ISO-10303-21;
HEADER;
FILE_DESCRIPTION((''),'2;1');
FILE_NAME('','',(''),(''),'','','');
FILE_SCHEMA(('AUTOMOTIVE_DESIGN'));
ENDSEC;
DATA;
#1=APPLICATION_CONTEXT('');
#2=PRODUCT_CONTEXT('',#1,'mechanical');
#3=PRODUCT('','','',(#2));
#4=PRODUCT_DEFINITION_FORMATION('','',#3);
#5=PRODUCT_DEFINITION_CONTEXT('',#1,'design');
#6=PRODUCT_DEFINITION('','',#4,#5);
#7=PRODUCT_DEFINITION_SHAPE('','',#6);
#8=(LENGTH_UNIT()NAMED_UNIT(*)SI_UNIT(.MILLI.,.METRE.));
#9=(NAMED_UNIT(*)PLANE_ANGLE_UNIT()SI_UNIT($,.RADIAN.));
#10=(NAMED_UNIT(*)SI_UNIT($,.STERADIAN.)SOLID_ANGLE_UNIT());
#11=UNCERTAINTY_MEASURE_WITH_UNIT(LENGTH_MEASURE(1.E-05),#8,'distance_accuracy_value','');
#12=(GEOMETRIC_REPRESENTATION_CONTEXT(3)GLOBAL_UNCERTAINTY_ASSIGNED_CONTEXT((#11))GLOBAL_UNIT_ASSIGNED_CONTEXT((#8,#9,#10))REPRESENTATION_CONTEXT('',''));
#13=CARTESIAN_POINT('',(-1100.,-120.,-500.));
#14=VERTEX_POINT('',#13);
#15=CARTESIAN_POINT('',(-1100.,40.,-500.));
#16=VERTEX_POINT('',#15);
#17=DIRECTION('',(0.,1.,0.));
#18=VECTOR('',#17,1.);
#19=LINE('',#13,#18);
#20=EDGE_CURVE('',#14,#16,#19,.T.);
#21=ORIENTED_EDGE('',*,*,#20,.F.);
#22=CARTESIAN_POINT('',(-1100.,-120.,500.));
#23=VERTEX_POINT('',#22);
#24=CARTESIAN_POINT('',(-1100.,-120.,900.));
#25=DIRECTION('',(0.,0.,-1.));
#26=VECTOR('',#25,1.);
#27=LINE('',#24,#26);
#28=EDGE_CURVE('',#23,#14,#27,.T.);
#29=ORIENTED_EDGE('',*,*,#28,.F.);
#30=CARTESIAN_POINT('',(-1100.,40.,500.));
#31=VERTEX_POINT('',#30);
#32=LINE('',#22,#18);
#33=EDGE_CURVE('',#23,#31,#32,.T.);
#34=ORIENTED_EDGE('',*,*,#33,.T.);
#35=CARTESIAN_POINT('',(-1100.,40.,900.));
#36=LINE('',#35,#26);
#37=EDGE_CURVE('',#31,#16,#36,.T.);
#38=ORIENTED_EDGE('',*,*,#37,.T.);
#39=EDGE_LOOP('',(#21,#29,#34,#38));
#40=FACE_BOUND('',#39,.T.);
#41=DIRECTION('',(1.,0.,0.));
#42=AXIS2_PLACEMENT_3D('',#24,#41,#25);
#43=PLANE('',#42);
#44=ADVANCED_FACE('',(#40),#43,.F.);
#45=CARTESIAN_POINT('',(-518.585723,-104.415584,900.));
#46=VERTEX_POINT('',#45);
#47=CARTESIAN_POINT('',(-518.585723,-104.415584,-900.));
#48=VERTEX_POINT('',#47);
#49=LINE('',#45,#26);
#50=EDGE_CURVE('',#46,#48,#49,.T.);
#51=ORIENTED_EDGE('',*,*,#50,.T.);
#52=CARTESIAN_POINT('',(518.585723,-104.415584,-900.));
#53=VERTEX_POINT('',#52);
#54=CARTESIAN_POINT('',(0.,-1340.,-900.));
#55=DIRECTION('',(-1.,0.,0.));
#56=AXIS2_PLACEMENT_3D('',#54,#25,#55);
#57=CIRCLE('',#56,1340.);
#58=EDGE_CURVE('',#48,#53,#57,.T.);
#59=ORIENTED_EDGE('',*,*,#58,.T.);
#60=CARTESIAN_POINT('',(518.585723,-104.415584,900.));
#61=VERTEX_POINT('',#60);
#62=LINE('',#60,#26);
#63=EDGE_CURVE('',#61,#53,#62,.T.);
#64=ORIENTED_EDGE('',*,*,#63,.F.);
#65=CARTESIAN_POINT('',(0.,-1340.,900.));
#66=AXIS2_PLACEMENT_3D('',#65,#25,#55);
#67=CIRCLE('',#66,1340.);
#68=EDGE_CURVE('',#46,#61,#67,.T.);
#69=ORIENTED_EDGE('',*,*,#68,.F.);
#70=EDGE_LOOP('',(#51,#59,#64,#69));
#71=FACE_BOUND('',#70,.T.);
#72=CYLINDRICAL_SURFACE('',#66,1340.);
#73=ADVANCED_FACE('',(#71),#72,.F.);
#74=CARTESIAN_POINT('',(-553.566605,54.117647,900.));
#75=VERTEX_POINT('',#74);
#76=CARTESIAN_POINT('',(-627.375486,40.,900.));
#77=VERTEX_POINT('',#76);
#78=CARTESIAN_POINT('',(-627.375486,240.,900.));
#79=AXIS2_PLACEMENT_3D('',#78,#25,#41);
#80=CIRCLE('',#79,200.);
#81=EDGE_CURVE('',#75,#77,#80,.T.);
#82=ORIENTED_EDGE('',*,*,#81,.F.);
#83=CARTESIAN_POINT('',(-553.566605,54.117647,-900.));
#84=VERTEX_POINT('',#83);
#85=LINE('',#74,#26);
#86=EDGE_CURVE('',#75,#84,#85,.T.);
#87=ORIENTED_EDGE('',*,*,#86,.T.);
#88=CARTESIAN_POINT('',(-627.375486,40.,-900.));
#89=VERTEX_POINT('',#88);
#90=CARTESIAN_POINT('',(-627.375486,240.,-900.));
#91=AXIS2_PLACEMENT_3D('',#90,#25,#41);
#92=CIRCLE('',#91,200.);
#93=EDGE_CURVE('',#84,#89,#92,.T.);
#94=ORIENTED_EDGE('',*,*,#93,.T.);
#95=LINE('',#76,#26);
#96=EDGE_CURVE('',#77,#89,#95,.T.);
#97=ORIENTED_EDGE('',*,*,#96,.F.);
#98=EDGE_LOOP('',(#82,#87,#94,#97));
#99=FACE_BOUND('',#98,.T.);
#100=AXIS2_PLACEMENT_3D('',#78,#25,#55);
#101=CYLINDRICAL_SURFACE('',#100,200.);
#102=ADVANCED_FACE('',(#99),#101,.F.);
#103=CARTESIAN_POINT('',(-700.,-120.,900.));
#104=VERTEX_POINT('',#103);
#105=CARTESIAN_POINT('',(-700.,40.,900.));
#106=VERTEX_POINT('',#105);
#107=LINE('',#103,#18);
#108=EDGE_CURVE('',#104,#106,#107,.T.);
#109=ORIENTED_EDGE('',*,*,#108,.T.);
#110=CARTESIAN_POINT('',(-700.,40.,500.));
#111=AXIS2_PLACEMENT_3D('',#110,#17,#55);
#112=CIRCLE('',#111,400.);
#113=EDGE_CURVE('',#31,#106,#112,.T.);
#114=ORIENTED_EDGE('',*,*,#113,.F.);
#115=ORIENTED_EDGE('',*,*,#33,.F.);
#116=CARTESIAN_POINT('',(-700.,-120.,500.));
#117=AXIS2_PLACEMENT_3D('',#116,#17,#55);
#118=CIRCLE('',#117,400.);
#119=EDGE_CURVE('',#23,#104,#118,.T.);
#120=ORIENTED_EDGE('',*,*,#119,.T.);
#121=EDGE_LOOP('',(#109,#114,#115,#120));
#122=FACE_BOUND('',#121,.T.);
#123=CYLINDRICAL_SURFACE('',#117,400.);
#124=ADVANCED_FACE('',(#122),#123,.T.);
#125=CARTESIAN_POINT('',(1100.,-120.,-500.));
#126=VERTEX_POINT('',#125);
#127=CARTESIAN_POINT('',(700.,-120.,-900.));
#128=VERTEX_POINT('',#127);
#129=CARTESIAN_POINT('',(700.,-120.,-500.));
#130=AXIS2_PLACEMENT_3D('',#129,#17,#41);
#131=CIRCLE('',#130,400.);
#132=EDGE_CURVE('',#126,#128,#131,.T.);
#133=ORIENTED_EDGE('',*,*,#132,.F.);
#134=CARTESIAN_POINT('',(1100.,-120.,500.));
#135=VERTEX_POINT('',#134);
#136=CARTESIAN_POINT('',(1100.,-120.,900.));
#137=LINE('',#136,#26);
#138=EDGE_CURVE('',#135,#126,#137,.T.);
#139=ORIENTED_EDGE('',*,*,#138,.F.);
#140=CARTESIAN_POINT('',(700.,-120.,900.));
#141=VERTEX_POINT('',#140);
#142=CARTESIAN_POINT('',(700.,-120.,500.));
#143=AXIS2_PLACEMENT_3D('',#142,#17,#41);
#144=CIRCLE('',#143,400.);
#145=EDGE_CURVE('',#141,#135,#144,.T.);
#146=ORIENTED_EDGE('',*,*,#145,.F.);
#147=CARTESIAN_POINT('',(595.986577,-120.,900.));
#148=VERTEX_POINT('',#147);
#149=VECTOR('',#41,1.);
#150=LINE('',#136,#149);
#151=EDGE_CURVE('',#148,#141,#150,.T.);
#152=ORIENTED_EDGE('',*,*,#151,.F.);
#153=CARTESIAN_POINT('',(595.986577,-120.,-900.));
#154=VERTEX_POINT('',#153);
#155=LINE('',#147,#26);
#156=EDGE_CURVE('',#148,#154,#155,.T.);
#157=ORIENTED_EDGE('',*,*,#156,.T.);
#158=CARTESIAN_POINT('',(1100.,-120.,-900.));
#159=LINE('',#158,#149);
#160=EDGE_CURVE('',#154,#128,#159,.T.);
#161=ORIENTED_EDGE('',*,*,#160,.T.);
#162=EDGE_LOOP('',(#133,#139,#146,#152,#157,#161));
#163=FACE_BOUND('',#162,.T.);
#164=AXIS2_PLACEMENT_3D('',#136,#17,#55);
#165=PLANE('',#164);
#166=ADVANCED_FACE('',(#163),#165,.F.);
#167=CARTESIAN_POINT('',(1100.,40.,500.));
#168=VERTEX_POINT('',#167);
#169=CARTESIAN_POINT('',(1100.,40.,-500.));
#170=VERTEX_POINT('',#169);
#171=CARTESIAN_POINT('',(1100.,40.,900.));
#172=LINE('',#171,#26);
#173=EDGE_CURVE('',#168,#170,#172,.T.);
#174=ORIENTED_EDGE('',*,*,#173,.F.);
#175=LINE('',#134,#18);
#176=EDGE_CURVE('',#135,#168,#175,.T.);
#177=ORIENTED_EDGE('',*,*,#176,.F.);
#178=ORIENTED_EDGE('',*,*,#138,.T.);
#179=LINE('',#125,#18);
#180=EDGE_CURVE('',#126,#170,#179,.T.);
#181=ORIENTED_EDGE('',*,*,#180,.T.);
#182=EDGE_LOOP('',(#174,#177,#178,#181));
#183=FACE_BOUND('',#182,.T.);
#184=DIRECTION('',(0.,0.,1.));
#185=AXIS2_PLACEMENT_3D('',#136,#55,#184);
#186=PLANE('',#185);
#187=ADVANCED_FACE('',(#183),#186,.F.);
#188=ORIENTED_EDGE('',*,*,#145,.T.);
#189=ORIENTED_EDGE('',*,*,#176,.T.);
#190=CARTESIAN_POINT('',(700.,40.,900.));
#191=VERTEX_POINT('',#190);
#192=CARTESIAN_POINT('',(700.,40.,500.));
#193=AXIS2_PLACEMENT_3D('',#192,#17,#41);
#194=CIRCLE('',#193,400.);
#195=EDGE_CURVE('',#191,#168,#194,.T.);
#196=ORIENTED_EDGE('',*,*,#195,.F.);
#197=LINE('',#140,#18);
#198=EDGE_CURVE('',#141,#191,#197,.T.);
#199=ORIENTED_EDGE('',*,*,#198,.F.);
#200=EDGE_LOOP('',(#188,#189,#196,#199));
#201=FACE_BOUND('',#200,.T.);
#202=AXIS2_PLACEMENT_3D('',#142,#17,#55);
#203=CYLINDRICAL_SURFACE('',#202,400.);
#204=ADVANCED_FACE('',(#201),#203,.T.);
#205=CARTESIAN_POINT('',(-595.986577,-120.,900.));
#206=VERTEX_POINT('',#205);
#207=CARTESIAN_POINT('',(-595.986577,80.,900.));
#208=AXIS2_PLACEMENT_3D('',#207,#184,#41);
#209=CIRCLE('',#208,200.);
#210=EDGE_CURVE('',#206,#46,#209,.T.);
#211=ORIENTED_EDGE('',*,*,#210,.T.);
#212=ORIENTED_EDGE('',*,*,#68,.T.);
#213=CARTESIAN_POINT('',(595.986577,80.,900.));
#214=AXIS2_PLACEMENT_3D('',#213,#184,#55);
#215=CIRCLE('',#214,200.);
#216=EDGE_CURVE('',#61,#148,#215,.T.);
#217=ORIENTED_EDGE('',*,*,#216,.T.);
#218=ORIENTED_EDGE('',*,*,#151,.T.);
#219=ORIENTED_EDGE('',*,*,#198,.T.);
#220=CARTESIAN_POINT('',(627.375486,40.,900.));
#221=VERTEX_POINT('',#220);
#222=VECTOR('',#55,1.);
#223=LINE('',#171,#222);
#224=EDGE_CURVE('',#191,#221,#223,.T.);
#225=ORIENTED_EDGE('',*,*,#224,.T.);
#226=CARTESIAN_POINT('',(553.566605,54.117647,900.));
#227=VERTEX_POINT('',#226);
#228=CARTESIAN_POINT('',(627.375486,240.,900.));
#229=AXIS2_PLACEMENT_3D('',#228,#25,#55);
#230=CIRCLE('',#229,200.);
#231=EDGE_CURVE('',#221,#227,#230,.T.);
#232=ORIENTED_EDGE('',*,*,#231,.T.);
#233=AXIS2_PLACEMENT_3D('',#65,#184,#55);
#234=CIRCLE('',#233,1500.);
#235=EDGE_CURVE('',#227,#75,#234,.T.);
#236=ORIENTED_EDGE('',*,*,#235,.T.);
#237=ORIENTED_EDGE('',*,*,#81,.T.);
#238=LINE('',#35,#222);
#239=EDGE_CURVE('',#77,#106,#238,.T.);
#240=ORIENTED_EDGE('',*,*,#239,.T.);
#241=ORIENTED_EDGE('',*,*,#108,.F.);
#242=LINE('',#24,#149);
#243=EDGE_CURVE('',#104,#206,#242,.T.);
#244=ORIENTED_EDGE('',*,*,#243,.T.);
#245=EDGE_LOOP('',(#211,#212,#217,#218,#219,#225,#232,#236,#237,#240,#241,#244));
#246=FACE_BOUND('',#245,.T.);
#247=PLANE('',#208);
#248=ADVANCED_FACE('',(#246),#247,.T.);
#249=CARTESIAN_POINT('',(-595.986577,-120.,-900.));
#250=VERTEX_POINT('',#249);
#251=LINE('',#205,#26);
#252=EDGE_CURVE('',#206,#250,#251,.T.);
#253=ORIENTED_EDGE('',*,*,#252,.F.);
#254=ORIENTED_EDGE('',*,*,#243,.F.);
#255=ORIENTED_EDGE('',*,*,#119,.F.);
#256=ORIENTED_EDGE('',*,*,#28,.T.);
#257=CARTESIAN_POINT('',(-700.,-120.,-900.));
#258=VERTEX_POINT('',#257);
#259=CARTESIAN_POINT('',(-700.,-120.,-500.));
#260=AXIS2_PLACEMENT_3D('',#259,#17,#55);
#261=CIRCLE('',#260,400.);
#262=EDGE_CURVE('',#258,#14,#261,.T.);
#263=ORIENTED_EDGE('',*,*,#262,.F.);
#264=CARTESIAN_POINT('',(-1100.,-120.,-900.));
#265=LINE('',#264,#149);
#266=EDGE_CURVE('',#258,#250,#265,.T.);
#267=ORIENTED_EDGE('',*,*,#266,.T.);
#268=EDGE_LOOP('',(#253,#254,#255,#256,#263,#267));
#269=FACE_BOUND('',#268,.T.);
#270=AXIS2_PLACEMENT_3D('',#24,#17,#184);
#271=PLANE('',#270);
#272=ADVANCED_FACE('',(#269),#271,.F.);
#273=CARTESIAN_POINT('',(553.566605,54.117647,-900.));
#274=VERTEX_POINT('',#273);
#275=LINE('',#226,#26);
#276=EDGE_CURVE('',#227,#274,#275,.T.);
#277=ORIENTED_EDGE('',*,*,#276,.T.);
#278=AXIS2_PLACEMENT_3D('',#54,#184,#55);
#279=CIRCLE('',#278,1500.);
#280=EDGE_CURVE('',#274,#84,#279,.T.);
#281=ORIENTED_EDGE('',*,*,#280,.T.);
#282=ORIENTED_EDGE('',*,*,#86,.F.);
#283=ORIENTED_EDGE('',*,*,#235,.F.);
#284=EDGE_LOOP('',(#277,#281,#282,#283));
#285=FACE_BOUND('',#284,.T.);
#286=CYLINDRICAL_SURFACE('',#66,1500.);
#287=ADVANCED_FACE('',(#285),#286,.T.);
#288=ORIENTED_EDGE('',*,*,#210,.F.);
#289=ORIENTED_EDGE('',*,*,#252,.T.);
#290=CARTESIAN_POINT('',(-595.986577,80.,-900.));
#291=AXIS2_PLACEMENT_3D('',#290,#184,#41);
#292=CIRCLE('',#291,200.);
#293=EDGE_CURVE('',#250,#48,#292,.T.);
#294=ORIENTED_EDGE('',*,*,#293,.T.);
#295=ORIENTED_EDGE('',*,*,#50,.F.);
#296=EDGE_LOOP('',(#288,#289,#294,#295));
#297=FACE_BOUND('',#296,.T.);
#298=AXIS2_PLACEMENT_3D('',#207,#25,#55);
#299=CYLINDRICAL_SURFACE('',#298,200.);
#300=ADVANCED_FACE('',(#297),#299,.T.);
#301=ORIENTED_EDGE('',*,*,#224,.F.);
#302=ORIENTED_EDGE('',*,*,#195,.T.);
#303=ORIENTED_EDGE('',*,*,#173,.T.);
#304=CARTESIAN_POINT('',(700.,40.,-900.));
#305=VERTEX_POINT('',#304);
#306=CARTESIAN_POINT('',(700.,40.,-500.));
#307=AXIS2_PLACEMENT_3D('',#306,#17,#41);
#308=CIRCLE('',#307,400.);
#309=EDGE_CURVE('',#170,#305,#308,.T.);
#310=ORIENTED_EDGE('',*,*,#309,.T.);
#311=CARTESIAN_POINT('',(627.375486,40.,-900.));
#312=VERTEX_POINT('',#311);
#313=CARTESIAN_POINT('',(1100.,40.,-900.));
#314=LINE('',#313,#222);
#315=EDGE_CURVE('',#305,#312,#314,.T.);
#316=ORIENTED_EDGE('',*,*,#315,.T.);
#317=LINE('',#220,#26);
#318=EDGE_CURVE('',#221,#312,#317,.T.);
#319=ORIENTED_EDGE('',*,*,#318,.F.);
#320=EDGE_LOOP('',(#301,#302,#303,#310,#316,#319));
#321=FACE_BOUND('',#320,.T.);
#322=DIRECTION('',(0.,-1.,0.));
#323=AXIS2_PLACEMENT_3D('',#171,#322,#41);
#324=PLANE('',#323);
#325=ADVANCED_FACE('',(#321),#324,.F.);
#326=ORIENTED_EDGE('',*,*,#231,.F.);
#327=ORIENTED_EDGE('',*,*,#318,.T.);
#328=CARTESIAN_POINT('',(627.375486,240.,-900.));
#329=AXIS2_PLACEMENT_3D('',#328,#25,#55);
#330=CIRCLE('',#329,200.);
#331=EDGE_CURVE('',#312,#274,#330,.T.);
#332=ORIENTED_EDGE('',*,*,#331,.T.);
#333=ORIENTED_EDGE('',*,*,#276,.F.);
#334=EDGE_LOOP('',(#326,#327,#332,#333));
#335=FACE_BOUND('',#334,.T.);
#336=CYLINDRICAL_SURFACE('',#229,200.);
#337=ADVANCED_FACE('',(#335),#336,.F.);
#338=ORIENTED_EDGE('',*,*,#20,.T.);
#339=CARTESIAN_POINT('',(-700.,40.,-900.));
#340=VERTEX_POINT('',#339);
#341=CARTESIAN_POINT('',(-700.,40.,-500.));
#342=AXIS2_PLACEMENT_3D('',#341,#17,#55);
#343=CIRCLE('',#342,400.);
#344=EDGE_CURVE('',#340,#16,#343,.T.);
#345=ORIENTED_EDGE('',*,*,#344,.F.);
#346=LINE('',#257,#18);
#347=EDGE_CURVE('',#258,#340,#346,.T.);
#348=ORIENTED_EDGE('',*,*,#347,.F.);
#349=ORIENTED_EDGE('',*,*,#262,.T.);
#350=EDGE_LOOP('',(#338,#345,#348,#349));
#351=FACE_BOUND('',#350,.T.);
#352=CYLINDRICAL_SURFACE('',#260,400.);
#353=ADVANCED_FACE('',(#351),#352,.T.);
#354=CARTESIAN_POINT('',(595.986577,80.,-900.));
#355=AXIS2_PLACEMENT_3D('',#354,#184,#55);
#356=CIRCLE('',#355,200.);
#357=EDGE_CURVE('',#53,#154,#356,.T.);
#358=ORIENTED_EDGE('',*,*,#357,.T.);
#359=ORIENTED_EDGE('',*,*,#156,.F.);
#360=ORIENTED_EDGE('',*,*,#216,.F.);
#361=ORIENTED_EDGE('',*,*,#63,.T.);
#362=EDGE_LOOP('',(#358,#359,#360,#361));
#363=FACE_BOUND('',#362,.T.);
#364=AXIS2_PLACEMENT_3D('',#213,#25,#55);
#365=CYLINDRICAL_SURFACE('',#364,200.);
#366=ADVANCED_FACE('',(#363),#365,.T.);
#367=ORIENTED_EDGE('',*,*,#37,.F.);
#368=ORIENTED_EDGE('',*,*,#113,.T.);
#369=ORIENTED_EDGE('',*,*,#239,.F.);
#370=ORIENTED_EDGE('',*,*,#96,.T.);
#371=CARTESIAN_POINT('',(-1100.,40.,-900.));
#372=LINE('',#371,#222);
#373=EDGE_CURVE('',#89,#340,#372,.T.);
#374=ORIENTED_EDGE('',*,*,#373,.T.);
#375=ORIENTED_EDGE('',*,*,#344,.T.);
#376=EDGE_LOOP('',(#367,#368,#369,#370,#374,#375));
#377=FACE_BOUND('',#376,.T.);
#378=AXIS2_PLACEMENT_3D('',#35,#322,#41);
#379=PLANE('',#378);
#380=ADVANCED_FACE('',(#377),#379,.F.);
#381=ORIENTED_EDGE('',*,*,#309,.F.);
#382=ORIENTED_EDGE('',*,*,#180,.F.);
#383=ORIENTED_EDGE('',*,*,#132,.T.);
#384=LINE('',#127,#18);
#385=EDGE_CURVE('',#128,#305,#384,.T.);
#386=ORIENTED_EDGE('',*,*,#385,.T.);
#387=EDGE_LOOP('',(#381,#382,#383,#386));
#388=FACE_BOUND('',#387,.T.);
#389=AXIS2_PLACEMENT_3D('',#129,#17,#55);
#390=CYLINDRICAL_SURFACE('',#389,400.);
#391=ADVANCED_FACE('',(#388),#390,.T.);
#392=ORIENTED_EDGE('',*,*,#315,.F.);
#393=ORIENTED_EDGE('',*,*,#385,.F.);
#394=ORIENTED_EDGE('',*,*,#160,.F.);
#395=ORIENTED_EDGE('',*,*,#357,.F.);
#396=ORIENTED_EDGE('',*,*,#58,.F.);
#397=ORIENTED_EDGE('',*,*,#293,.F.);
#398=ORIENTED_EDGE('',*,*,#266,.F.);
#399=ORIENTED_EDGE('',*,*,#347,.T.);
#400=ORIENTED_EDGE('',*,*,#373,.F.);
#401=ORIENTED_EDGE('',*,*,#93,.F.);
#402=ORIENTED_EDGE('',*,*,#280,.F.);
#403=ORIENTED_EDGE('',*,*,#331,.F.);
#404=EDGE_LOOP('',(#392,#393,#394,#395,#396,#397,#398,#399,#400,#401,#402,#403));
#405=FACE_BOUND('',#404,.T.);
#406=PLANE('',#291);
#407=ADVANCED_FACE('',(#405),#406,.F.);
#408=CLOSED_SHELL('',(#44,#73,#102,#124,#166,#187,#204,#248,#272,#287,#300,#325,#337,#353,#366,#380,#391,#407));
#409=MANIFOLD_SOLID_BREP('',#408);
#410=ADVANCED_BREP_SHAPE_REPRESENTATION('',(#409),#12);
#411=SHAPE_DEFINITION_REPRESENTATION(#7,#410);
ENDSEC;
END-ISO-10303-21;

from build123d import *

# Parameters (mm, degrees)
EXTRUDE_1_DEPTH     = 900
SKETCH_3_OUTSIDE_W  = 2773.258
SKETCH_3_OUTSIDE_H  = 2373.258
CUT_EXTRUDE_3_DEPTH = 1431.244734302


with BuildPart() as part:
    # Эскиз1 → Бобышка-Вытянуть1 (new, symmetric)
    with BuildSketch(Plane.XY):
        with BuildLine():
            Line((-1100, -120), (-1100, 40))
            Line((-1100, 40), (-627.375485654, 40))
            ThreePointArc((-627.375485654, 40), (-589.802028189, 43.561115626), (-553.566604989, 54.117647059))
            ThreePointArc((-553.566604989, 54.117647059), (0, 160), (553.566604989, 54.117647059))
            ThreePointArc((553.566604989, 54.117647059), (589.802028189, 43.561115626), (627.375485654, 40))
            Line((627.375485654, 40), (1100, 40))
            Line((1100, 40), (1100, -120))
            Line((1100, -120), (595.98657703, -120))
            ThreePointArc((595.98657703, -120), (556.509475332, -116.065189265), (518.58572287, -104.415584416))
            ThreePointArc((518.58572287, -104.415584416), (0, 0), (-518.58572287, -104.415584416))
            ThreePointArc((-518.58572287, -104.415584416), (-556.509475332, -116.065189265), (-595.98657703, -120))
            Line((-595.98657703, -120), (-1100, -120))
        make_face()
    extrude(amount=EXTRUDE_1_DEPTH, both=True)

    # Эскиз3 outside → Вырез-Вытянуть3 (cut, through all)
    with BuildSketch(Plane(origin=(0, 40, 0), x_dir=(1, 0, 0), z_dir=(0, 1, 0))):
        Rectangle(SKETCH_3_OUTSIDE_W, SKETCH_3_OUTSIDE_H)
        with BuildLine():
            Line((700, 900), (-700, 900))
            ThreePointArc((-700, 900), (-982.842712475, 782.842712475), (-1100, 500))
            Line((-1100, 500), (-1100, -500))
            ThreePointArc((-1100, -500), (-982.842712475, -782.842712475), (-700, -900))
            Line((-700, -900), (700, -900))
            ThreePointArc((700, -900), (982.842712475, -782.842712475), (1100, -500))
            Line((1100, -500), (1100, 500))
            ThreePointArc((1100, 500), (982.842712475, 782.842712475), (700, 900))
        make_face(mode=Mode.SUBTRACT)
    extrude(amount=-CUT_EXTRUDE_3_DEPTH, mode=Mode.SUBTRACT)


solid = part.part
